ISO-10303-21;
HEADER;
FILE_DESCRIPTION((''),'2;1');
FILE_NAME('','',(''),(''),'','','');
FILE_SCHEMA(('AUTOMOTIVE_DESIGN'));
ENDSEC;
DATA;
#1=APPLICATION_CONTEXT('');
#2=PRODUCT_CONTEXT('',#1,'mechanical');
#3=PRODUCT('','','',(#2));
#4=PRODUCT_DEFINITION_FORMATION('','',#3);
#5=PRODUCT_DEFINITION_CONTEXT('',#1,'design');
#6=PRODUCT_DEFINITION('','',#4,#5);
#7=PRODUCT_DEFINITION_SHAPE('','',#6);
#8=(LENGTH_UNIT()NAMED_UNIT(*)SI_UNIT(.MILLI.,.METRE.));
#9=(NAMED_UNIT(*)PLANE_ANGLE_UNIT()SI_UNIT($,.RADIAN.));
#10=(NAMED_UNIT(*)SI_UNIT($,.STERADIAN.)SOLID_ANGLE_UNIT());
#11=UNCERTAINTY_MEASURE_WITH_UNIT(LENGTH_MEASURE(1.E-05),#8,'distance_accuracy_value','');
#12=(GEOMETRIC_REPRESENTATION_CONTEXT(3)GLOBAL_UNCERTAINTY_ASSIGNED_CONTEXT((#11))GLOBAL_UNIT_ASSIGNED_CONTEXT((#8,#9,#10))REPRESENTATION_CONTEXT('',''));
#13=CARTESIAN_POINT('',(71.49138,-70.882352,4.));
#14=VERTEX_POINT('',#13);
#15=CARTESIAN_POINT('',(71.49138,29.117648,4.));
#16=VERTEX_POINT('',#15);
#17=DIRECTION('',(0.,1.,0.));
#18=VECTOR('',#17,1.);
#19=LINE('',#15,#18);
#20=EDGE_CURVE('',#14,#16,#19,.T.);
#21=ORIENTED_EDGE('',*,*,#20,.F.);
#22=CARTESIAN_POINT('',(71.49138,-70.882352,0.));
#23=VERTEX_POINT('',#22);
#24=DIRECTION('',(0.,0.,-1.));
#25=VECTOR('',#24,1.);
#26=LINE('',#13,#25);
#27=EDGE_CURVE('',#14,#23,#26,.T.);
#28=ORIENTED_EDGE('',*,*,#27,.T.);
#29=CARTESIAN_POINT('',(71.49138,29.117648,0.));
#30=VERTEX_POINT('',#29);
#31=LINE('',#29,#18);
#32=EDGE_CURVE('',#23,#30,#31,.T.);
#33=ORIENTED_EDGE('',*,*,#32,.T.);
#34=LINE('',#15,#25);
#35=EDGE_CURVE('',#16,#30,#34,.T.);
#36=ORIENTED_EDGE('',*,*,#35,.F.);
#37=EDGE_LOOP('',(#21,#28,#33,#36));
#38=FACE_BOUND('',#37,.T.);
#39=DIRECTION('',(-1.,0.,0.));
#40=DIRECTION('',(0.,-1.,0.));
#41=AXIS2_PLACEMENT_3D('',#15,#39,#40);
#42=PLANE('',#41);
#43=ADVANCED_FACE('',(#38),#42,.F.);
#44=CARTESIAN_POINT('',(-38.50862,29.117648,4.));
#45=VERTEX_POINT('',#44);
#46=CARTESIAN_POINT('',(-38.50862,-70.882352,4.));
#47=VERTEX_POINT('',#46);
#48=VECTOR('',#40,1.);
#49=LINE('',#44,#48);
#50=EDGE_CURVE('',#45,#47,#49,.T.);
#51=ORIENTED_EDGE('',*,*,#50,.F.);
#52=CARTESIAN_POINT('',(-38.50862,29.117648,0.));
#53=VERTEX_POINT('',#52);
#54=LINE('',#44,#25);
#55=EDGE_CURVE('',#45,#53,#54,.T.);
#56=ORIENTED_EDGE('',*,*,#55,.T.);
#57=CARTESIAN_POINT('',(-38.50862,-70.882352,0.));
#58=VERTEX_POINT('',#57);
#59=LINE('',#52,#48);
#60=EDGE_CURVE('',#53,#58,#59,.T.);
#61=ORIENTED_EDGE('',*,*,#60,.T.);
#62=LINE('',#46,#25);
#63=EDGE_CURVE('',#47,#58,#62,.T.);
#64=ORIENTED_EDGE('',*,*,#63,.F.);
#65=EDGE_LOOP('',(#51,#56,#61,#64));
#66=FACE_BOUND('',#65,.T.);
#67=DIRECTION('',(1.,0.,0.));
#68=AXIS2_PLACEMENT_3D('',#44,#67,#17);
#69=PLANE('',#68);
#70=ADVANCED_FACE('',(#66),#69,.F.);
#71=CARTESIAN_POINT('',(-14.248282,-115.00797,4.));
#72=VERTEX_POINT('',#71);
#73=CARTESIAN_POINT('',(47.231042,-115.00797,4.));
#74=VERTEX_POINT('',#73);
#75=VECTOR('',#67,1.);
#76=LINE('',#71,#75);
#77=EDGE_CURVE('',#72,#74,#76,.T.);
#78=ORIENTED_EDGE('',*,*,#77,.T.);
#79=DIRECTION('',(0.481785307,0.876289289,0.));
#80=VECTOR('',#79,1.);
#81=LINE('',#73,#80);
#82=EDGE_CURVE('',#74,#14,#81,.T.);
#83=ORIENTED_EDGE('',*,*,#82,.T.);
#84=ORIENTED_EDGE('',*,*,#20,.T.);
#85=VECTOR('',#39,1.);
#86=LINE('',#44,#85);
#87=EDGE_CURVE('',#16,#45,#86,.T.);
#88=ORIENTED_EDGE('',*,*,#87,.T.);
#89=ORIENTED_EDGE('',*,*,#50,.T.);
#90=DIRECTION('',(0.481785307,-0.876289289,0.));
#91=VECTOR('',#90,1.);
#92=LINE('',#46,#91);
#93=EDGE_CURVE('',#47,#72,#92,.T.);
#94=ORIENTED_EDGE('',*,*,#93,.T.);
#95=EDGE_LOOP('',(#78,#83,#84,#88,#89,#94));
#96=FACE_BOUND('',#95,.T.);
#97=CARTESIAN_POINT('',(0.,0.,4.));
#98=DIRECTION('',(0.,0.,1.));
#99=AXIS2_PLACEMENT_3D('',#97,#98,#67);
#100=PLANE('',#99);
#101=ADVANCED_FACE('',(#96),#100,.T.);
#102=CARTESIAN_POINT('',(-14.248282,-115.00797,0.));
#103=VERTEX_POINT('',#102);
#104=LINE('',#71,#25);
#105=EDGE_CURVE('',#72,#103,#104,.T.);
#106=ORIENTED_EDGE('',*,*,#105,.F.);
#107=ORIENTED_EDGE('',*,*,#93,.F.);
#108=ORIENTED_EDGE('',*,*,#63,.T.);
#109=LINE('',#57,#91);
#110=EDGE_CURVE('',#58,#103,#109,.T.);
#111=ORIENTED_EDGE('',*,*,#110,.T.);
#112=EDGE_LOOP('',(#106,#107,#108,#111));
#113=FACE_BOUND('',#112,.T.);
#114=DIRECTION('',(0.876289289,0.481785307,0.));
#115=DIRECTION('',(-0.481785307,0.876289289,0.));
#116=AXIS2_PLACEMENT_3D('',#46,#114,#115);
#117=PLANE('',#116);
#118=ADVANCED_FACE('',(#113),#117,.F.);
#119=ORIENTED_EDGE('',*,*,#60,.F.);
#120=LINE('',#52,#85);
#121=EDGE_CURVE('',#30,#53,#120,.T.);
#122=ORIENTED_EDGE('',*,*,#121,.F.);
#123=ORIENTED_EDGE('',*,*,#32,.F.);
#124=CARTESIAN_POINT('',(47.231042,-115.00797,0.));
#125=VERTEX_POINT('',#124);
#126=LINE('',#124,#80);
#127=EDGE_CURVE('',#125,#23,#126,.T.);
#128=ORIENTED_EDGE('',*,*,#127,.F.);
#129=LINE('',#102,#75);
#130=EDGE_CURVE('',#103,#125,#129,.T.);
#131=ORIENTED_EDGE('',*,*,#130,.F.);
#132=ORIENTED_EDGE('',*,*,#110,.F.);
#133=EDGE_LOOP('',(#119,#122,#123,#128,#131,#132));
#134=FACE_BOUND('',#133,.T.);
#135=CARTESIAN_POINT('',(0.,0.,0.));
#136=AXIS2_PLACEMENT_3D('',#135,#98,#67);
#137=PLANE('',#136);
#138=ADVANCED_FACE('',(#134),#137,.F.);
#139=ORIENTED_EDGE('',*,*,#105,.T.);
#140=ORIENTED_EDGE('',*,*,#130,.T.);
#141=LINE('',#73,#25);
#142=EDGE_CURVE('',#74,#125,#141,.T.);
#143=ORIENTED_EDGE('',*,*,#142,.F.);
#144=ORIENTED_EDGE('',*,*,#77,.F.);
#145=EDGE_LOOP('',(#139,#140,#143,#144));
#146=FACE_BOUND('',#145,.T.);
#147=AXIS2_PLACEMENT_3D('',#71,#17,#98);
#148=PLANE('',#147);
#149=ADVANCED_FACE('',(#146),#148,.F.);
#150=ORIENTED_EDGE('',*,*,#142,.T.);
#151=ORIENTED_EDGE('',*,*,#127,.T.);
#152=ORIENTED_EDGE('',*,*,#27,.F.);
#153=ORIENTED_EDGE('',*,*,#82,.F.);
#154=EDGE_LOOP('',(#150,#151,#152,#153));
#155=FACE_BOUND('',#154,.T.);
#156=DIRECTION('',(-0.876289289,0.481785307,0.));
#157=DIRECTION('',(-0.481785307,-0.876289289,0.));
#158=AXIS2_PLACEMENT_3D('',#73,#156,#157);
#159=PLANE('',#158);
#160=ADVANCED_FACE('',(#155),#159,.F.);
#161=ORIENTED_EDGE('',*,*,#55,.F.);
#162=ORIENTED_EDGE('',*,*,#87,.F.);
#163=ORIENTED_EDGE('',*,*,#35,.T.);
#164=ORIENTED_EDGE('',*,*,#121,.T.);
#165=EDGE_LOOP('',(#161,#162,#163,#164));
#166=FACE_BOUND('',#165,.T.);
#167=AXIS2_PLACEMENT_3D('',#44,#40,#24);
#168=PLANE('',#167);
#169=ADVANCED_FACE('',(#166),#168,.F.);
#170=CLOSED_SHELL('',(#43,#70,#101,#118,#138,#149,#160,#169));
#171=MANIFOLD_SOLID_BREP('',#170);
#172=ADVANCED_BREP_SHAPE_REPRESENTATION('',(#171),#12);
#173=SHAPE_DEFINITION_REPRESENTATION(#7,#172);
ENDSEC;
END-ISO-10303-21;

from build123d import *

# Parameters (mm, degrees)
BOSS_EXTRUDE1_DEPTH = 4


with BuildPart() as part:
    # Sketch1 → Boss-Extrude1 (new body)
    with BuildSketch(Plane.XY):
        Polygon((-38.508619801, 29.117647675), (71.491380199, 29.117647675), (71.491380199, -70.882352325), (47.231042356, -115.007969839), (-14.248281957, -115.007969839), (-38.508619801, -70.882352325), align=None)
    extrude(amount=BOSS_EXTRUDE1_DEPTH)


solid = part.part
